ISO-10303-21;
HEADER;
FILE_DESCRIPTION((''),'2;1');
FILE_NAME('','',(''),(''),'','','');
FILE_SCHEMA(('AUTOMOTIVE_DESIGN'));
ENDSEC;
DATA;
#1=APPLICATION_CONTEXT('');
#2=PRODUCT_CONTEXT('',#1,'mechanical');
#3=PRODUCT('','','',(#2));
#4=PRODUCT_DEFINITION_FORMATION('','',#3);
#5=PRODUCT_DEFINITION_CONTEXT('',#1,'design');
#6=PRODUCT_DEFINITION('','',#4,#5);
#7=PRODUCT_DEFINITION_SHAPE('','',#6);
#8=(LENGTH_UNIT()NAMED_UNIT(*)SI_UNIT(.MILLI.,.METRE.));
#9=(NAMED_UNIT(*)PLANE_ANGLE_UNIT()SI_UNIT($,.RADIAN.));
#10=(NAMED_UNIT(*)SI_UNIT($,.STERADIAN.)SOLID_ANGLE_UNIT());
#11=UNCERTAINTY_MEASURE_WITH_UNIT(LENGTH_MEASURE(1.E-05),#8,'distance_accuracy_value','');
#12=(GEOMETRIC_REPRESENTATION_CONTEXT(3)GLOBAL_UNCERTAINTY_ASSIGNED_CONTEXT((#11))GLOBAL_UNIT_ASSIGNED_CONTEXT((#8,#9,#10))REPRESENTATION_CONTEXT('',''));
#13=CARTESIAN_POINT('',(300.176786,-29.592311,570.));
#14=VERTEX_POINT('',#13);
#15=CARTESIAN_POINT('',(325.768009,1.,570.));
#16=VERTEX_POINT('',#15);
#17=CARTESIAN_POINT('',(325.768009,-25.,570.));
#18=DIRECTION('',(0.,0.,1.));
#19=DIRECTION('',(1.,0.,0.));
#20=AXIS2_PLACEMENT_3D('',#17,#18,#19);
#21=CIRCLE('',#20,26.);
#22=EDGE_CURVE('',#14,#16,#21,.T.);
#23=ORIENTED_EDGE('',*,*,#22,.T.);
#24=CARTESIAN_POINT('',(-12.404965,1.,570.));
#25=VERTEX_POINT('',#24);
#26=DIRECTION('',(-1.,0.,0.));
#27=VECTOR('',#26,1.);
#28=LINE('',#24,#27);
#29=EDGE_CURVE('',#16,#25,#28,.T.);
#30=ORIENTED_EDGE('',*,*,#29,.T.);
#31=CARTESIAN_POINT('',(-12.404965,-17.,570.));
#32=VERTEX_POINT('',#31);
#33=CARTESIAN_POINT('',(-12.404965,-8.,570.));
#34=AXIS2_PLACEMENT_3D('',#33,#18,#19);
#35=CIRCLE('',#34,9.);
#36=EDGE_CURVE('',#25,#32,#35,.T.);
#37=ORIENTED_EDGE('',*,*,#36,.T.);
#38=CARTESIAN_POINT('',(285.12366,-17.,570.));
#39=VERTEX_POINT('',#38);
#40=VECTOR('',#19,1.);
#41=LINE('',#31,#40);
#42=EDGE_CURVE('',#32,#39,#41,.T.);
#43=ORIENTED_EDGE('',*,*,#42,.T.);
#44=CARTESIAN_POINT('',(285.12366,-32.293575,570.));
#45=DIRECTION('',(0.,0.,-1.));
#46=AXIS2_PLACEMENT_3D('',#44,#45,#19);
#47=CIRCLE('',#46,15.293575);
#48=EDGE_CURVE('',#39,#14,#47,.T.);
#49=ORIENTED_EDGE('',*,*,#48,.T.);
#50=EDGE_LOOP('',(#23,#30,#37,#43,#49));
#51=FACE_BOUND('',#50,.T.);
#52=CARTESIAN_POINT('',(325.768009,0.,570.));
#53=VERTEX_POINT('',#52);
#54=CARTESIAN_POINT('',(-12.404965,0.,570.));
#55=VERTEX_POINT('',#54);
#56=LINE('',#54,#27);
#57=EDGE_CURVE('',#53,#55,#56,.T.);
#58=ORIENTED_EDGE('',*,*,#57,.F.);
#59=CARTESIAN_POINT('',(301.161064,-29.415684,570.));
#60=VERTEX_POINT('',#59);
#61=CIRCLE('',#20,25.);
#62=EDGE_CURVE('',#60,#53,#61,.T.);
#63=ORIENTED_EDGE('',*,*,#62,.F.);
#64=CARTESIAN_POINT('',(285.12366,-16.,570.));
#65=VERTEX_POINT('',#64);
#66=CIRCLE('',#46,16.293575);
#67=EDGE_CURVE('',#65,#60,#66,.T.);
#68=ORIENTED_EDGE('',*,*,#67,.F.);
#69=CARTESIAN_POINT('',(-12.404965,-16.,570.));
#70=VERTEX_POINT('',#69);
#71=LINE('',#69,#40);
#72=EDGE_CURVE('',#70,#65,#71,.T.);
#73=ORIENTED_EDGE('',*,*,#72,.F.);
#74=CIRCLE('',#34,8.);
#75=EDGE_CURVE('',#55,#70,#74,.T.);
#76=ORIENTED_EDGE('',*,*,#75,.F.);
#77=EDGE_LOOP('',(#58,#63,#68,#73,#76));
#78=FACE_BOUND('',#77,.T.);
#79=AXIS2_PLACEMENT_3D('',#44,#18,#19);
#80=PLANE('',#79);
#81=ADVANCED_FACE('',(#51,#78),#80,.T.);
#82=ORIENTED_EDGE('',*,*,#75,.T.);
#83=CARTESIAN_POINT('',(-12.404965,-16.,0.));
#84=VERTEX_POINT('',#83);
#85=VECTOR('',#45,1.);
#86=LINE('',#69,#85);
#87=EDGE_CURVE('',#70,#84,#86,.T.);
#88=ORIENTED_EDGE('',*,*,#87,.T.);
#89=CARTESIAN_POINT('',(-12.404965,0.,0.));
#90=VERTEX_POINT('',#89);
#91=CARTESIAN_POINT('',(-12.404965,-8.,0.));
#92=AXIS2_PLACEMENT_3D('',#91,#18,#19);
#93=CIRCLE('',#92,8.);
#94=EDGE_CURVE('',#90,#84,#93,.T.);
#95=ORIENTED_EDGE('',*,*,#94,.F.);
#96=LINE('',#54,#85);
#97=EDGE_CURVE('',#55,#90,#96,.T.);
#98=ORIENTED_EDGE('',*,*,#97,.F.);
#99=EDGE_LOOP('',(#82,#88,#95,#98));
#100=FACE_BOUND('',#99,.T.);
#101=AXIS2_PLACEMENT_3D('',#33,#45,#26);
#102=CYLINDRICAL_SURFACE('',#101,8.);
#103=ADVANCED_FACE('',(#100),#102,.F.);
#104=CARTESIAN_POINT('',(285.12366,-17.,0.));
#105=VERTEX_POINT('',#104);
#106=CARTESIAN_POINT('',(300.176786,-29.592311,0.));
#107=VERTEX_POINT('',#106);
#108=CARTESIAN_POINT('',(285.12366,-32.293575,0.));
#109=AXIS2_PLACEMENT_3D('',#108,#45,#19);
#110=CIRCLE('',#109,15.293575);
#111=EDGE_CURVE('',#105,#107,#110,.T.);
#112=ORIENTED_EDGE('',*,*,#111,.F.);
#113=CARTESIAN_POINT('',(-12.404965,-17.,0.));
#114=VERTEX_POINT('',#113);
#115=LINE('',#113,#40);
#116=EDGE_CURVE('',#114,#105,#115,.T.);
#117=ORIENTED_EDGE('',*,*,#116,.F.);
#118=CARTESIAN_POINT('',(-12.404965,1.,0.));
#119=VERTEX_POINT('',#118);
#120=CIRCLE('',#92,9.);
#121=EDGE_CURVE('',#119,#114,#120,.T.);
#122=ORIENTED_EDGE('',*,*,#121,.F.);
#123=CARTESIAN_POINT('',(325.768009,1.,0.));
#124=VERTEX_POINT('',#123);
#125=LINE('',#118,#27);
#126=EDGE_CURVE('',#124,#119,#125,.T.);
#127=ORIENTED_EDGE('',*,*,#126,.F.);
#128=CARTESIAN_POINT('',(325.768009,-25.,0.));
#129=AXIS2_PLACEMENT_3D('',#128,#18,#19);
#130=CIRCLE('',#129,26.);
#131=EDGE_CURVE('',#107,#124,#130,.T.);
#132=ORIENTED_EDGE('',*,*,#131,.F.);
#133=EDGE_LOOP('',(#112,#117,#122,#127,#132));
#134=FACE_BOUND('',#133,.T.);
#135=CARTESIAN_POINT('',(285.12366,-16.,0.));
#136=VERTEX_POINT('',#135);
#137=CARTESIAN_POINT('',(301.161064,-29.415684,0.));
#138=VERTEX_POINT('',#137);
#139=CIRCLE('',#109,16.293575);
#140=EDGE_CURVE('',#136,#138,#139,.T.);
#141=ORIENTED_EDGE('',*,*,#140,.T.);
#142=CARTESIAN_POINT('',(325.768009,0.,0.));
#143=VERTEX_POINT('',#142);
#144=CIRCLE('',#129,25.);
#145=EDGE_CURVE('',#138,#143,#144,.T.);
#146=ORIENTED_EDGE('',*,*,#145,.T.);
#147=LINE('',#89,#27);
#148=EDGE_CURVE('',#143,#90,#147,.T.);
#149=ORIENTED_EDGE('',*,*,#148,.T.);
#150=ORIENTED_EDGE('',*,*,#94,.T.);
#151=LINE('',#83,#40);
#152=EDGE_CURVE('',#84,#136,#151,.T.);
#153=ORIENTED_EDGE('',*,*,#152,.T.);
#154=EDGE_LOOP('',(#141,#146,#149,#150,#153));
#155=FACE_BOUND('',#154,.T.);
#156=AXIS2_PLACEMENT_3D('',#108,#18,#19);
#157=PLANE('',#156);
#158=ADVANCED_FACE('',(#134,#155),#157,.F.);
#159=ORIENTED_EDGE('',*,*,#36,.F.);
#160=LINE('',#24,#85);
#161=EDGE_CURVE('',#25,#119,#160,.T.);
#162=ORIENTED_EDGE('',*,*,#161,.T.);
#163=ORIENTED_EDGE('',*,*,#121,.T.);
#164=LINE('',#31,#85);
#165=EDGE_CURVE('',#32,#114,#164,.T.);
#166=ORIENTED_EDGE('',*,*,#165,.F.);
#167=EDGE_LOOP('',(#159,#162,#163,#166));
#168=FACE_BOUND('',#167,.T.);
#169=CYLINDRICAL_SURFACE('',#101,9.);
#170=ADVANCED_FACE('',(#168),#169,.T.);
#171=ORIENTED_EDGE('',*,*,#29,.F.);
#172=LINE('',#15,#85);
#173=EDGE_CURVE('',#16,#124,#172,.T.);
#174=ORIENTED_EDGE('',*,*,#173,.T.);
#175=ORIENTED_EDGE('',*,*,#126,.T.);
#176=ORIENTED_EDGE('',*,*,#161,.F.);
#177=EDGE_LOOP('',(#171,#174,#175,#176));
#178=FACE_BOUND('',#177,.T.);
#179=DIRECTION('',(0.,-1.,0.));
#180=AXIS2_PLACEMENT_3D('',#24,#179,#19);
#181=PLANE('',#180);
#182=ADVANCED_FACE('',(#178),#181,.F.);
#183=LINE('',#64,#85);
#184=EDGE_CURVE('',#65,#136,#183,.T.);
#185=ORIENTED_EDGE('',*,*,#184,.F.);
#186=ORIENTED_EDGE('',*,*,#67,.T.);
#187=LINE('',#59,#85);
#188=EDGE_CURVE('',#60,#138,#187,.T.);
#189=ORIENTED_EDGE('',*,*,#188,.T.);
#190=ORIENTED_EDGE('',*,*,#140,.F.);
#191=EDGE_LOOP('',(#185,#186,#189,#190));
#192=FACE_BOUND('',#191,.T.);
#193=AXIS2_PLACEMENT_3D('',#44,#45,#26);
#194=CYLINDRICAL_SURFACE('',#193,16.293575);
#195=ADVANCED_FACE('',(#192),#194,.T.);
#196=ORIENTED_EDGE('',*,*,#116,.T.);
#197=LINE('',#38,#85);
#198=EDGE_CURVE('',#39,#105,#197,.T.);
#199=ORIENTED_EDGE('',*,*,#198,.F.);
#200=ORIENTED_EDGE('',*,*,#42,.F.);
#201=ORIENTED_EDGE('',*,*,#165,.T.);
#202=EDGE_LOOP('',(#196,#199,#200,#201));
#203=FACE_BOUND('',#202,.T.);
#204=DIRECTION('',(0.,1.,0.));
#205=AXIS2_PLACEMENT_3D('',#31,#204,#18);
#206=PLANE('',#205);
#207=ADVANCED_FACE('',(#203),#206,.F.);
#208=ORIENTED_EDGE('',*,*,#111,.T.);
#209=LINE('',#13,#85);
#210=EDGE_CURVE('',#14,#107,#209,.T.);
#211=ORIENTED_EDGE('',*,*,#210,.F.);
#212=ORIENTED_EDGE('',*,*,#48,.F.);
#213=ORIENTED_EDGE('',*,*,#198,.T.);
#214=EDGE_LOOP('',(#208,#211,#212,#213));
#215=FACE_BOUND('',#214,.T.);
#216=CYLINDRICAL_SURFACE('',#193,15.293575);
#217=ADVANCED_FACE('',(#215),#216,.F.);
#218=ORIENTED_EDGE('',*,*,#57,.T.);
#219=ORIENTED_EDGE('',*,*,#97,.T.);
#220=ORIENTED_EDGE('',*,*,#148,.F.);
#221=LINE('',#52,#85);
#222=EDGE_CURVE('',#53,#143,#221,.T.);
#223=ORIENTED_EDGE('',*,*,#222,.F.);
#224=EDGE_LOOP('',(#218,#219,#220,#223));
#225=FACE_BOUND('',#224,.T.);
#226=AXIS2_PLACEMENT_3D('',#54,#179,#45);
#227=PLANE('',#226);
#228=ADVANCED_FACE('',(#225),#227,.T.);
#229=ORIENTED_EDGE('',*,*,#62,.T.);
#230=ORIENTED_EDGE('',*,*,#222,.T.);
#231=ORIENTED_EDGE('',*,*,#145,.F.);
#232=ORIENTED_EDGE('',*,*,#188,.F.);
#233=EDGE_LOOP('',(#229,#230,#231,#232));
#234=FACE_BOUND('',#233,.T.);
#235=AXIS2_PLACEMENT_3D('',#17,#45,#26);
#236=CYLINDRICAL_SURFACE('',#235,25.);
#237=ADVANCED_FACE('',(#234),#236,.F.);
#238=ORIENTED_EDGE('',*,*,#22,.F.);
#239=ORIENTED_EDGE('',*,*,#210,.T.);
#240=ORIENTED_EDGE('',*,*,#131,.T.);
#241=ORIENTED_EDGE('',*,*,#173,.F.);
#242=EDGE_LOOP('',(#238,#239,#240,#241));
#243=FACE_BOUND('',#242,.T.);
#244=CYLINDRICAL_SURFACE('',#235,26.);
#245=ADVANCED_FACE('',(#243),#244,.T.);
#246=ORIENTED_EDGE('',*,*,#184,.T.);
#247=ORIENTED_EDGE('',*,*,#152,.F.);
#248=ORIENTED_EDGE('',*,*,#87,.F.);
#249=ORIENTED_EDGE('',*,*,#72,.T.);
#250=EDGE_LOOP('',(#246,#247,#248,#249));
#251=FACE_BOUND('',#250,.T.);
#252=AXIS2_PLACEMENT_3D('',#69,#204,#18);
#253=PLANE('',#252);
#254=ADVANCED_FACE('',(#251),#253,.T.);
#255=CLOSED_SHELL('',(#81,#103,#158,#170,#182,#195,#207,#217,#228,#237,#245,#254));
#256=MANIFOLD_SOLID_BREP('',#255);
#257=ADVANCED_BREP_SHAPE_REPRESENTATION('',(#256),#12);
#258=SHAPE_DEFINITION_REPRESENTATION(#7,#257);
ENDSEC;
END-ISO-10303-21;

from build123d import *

# Parameters (mm, degrees)
EXTRUDE_1_DEPTH = 570


with BuildPart() as part:
    # 草图1 → 凸台-拉伸1 (new body)
    with BuildSketch(Plane.XY):
        with BuildLine():
            Line((-12.404964531, 1), (325.76800896, 1))
            ThreePointArc((325.76800896, 1), (345.710427238, -41.682324575), (300.176786305, -29.59231129))
            ThreePointArc((300.176786305, -29.59231129), (294.936443949, -20.563156945), (285.123660003, -17))
            Line((285.123660003, -17), (-12.404964531, -17))
            ThreePointArc((-12.404964531, -17), (-21.404964531, -8), (-12.404964531, 1))
        make_face()
        with BuildLine():
            Line((-12.404964531, 0), (325.76800896, 0))
            ThreePointArc((325.76800896, 0), (344.943411151, -41.040696707), (301.161064099, -29.415683933))
            ThreePointArc((301.161064099, -29.415683933), (295.578071817, -19.796140858), (285.123660003, -16))
            Line((285.123660003, -16), (-12.404964531, -16))
            ThreePointArc((-12.404964531, -16), (-20.404964531, -8), (-12.404964531, 0))
        make_face(mode=Mode.SUBTRACT)
    extrude(amount=EXTRUDE_1_DEPTH)


solid = part.part
